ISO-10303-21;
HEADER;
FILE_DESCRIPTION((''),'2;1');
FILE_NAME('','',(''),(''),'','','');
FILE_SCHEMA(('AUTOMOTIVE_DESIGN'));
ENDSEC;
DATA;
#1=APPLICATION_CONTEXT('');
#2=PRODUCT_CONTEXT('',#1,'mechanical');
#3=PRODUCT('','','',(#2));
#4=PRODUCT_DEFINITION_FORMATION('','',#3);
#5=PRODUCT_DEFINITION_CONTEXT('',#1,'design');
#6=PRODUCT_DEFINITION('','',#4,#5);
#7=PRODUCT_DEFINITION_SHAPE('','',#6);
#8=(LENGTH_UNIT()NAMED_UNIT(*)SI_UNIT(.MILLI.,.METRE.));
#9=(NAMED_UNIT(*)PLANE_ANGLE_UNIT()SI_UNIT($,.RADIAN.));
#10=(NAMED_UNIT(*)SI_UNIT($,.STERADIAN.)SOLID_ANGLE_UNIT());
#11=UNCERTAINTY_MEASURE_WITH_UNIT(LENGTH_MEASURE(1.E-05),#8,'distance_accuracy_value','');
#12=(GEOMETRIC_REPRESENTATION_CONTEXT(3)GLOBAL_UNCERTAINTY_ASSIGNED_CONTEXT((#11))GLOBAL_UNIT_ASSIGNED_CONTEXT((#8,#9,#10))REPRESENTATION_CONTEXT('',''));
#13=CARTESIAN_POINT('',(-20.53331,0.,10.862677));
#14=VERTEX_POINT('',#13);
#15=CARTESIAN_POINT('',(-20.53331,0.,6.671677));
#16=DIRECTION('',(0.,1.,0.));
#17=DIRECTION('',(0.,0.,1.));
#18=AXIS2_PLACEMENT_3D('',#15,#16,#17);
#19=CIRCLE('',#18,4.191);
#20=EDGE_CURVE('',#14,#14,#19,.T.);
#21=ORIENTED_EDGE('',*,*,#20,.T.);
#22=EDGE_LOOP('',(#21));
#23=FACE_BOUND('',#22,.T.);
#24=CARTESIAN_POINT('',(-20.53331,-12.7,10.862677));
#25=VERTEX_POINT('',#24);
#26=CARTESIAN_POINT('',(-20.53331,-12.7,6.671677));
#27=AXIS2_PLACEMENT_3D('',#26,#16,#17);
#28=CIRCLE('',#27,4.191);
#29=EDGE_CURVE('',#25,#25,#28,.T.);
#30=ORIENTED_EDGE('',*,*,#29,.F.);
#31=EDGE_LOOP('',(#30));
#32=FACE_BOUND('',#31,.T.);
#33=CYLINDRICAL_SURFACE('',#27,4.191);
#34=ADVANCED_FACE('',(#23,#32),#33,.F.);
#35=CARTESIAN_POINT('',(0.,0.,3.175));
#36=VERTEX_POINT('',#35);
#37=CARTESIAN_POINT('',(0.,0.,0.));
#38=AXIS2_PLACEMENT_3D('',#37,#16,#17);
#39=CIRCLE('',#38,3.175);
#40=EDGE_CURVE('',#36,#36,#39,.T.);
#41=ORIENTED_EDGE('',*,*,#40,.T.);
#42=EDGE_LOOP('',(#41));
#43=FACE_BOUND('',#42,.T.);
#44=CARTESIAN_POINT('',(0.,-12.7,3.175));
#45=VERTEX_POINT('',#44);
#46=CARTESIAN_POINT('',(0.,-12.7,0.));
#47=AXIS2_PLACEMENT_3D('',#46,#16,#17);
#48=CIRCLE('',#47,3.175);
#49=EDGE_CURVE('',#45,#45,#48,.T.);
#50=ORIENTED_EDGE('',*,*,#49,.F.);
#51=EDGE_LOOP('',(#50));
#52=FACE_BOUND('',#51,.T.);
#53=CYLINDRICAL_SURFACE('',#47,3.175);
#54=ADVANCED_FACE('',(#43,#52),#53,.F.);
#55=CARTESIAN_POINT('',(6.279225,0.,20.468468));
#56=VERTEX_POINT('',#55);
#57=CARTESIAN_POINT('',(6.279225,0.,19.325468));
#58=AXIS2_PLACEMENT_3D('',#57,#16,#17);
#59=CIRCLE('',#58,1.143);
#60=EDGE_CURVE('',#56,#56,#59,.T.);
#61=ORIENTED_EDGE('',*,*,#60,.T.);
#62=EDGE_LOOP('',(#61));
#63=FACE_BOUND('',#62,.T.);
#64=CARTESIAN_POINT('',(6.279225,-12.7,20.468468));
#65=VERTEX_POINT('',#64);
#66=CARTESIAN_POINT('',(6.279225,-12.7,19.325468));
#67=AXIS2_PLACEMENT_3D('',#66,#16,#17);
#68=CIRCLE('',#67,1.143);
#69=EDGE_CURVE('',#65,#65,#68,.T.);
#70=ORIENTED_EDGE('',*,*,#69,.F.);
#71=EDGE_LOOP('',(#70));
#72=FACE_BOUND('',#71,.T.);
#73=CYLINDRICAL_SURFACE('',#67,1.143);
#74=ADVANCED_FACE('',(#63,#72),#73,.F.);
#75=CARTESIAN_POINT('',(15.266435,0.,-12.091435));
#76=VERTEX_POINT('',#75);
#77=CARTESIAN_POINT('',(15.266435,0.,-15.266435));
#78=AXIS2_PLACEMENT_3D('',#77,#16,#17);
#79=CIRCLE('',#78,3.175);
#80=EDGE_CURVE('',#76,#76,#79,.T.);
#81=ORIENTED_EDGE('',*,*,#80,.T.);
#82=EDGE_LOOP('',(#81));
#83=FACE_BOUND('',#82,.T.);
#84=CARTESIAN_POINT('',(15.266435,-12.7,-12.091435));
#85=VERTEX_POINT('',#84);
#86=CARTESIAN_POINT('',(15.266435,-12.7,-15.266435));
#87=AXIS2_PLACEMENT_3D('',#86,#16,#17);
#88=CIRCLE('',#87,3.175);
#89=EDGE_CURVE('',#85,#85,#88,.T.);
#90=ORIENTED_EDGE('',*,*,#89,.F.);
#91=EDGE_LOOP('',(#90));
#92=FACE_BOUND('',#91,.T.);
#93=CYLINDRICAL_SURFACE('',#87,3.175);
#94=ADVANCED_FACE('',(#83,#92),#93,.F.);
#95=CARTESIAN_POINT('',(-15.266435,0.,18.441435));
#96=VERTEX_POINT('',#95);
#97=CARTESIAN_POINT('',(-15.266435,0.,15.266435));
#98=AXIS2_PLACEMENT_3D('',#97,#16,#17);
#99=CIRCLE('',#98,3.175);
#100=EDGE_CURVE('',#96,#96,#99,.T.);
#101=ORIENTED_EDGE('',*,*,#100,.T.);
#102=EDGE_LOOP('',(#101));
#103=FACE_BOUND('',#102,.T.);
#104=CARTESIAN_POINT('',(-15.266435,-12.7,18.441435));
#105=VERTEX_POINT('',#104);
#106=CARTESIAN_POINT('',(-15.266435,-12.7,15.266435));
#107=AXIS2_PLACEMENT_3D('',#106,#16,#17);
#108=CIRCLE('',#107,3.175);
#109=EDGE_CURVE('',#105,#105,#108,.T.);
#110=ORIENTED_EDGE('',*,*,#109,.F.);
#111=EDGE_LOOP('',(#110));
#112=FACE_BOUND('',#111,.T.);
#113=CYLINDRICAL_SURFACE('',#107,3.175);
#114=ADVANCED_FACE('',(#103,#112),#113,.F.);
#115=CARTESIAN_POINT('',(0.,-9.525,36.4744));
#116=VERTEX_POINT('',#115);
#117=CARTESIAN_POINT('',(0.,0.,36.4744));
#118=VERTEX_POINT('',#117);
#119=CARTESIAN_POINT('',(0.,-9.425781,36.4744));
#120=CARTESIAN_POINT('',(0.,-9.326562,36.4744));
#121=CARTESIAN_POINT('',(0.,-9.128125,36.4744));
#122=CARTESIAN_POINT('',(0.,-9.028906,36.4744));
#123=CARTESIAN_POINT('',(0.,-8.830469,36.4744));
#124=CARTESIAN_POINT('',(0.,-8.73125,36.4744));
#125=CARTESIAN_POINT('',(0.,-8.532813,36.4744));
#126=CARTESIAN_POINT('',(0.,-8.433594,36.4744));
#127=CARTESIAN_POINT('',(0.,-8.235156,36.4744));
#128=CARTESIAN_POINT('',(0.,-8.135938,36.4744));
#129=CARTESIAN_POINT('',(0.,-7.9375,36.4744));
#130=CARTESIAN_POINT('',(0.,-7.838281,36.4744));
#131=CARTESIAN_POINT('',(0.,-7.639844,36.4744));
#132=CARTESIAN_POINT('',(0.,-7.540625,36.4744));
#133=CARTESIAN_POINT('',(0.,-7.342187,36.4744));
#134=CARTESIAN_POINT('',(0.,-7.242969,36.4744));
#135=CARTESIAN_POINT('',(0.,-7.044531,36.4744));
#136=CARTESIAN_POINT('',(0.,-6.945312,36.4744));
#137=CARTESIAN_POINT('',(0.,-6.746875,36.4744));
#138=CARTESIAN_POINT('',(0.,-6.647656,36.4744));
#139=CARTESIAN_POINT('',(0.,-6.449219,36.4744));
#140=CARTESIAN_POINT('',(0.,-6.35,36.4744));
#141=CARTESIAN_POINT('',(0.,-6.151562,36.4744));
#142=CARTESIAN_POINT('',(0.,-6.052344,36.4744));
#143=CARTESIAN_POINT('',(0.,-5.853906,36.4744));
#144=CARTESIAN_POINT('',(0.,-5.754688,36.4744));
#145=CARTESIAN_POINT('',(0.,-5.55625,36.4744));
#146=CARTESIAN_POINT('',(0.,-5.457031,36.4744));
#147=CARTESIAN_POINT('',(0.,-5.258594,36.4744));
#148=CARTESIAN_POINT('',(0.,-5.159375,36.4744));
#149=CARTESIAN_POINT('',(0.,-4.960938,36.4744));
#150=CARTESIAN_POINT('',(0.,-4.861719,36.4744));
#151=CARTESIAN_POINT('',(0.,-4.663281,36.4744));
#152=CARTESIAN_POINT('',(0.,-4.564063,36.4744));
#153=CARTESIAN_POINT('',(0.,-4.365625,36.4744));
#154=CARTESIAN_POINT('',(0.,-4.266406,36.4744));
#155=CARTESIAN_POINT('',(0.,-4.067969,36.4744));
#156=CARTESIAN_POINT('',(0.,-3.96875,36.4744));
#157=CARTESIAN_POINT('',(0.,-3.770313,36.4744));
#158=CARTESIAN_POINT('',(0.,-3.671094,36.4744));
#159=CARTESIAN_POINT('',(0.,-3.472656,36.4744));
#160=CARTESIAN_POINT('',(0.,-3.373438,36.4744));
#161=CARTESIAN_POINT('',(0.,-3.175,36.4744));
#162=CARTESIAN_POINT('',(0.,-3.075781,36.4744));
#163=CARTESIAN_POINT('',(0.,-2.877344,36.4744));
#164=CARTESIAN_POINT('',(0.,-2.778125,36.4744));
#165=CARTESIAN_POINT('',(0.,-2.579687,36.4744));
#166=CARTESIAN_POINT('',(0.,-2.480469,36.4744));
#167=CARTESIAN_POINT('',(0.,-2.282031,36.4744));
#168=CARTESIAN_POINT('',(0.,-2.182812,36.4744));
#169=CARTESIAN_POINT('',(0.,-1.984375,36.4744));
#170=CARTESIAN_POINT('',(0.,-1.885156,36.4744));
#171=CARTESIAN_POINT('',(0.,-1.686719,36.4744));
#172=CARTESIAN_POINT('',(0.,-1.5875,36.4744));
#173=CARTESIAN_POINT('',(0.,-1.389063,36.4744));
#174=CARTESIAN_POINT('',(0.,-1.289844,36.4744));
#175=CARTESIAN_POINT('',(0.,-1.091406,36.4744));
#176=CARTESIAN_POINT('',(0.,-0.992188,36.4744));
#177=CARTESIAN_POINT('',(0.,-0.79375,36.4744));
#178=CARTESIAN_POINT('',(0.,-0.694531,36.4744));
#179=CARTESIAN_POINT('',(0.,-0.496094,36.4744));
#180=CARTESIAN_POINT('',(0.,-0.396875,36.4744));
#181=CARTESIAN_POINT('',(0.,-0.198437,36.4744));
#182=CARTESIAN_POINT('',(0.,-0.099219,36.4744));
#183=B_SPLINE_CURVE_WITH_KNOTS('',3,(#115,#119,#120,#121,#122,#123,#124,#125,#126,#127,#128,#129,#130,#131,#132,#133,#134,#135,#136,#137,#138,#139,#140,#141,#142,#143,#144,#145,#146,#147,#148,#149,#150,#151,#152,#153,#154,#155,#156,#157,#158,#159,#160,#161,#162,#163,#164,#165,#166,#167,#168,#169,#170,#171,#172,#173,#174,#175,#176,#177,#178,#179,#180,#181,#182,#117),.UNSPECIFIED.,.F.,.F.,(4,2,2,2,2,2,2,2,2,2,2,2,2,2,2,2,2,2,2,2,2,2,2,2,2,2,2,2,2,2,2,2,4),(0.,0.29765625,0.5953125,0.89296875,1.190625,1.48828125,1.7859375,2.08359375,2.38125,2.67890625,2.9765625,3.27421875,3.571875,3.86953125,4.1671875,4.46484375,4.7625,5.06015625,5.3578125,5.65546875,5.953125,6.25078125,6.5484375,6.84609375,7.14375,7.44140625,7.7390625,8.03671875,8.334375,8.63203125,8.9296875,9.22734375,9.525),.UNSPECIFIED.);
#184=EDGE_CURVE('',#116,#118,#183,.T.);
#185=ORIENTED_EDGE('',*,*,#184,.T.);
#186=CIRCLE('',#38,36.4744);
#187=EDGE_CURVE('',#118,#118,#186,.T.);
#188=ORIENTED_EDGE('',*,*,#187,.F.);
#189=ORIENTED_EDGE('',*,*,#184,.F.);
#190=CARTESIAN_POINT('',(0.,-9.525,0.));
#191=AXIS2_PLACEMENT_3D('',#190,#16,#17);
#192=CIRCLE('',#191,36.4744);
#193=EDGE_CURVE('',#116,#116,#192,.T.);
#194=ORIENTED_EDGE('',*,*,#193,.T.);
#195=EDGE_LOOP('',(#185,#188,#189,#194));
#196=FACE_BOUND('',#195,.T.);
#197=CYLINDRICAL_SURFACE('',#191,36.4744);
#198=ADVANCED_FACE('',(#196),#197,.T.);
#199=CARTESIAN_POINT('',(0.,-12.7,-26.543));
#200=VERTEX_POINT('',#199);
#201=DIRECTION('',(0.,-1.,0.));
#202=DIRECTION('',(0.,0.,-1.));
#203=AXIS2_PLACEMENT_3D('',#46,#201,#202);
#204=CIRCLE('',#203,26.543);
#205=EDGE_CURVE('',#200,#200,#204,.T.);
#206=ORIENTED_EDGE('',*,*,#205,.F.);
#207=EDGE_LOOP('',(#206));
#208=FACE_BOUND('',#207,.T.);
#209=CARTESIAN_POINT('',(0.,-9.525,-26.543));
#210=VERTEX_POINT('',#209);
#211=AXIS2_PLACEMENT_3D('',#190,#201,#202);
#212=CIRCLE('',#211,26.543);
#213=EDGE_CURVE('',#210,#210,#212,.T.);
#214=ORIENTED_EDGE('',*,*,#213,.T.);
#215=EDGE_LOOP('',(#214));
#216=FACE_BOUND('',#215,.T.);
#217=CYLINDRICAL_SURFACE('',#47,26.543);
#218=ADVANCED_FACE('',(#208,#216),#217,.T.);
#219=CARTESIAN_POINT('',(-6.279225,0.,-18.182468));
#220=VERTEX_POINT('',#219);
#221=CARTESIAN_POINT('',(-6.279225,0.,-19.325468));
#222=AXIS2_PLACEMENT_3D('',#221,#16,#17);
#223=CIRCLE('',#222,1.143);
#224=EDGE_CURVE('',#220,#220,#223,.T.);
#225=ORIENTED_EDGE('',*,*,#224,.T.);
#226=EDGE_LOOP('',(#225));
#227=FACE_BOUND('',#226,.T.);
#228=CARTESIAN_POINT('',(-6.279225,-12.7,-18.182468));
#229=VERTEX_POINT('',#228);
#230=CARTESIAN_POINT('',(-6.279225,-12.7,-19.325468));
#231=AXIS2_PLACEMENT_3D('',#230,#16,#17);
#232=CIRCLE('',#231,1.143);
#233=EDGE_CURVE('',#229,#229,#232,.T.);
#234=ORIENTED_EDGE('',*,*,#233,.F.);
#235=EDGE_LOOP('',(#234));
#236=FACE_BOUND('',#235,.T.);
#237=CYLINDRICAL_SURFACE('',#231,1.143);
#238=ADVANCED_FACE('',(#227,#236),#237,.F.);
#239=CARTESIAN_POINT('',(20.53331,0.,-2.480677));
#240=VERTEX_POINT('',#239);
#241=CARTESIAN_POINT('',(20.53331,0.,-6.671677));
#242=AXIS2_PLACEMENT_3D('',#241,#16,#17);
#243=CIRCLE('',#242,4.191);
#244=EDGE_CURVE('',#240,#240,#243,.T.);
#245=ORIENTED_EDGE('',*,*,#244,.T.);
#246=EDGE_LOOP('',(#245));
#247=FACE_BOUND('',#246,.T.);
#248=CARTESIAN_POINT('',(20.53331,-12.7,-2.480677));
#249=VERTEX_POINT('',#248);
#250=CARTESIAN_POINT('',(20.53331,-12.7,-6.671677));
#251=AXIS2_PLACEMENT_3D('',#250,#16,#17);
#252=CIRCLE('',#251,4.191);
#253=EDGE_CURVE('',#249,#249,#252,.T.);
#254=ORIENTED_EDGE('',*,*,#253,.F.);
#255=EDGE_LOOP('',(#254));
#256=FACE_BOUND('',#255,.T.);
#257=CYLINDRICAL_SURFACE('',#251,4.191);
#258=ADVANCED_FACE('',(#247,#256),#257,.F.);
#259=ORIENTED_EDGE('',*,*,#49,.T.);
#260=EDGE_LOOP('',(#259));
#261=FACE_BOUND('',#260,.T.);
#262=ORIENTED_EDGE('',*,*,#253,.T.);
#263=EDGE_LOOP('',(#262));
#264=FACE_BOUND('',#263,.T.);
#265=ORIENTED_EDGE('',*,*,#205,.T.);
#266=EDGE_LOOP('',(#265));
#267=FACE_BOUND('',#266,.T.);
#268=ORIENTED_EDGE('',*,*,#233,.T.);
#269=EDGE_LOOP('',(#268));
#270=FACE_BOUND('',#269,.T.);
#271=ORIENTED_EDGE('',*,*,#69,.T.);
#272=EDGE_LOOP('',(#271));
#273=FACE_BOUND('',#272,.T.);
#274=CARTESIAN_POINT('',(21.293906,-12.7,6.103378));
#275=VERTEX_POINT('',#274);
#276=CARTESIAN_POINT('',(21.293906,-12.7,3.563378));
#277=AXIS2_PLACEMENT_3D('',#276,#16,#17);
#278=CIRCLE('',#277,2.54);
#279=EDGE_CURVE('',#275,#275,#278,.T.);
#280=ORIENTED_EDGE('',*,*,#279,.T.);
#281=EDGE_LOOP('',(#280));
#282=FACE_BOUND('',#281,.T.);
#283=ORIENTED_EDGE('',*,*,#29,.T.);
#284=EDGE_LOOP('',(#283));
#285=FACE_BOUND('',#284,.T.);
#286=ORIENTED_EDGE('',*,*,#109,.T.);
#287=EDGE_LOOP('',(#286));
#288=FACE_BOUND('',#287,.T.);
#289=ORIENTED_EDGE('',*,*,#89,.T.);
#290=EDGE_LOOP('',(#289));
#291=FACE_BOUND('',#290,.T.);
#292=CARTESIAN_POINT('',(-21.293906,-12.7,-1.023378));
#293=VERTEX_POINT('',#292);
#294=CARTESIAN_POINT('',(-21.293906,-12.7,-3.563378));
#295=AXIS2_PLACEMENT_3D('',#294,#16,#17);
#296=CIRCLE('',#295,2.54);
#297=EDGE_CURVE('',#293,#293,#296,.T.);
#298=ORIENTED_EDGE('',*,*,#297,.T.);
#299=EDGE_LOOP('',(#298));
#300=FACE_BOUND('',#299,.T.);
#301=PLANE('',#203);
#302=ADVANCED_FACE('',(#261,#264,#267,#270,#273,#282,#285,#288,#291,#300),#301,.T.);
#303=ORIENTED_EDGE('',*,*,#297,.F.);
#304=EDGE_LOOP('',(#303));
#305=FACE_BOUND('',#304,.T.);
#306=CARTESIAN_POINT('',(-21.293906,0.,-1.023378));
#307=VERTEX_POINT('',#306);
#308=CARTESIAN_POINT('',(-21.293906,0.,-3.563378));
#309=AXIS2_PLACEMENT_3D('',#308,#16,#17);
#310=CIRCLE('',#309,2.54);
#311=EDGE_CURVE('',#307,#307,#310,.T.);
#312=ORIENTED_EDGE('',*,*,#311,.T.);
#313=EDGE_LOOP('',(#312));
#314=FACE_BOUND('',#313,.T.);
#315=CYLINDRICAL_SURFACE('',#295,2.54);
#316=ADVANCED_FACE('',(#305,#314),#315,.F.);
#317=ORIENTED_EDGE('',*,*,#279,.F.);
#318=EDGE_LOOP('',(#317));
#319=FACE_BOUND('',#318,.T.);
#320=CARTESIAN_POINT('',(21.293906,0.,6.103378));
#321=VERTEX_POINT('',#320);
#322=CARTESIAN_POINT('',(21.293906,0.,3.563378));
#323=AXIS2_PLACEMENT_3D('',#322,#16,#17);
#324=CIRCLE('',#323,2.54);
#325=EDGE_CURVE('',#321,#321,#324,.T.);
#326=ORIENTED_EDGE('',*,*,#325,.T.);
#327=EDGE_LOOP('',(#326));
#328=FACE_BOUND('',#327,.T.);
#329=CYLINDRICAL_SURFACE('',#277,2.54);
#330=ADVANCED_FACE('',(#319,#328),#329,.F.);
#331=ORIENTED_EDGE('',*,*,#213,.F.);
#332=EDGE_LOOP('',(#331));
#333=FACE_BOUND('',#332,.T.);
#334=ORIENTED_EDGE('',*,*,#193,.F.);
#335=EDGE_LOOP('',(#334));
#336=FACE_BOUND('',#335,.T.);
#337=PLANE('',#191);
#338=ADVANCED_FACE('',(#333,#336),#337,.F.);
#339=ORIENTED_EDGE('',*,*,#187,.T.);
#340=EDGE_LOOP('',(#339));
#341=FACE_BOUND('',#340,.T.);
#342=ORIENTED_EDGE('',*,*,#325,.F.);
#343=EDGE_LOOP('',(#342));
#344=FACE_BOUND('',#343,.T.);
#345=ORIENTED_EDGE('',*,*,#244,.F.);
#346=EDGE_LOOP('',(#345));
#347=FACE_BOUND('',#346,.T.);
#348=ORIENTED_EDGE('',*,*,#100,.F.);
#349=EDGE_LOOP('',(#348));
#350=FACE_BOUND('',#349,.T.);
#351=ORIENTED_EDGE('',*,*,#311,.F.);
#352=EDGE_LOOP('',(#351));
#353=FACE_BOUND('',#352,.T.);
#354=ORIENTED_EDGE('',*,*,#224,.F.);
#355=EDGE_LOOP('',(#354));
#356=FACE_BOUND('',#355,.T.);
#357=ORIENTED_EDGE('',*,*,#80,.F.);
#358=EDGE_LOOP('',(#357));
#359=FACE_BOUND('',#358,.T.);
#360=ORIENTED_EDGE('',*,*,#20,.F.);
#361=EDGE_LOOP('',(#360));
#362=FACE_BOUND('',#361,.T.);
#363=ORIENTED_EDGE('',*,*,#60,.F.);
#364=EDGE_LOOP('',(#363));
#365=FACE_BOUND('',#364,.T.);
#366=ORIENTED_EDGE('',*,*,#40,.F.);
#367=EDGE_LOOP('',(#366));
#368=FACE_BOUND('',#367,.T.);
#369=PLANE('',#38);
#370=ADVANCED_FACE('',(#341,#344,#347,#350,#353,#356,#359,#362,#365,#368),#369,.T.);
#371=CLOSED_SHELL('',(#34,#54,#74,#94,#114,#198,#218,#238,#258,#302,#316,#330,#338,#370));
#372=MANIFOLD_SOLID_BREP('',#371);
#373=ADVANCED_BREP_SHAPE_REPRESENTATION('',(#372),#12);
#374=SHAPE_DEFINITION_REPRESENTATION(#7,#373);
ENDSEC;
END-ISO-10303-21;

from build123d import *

# Parameters (mm, degrees)
SKETCH1_R           = 36.4744
BOSS_EXTRUDE1_DEPTH = 9.525
SKETCH2_R           = 26.543
BOSS_EXTRUDE2_DEPTH = 3.175
SKETCH5_R           = 3.175
SKETCH5_R_2         = 1.143
SKETCH5_R_3         = 4.191
SKETCH5_R_4         = 2.54
CUT_EXTRUDE1_DEPTH  = 54.123005475


with BuildPart() as part:
    # Sketch1 → Boss-Extrude1 (new body)
    with BuildSketch(Plane(origin=(0, 0, 0), x_dir=(1, 0, 0), z_dir=(0, 1, 0))):
        with Locations(Location((0, 0, 0), (0, 0, 270))):
            Circle(SKETCH1_R)
    extrude(amount=-BOSS_EXTRUDE1_DEPTH)

    # Sketch2 → Boss-Extrude2 (add)
    with BuildSketch(Plane.XZ.offset(9.525)):
        with Locations(Location((0, 0, 0), (0, 0, 270))):
            Circle(SKETCH2_R)
    extrude(amount=BOSS_EXTRUDE2_DEPTH)

    # Sketch5 → Cut-Extrude1 (cut, through all)
    with BuildSketch(Plane(origin=(0, 0, 0), x_dir=(1, 0, 0), z_dir=(0, 1, 0))):
        with Locations(Location((0, 0, 0), (0, 0, 270))):
            Circle(SKETCH5_R)
        with Locations(Location((-6.279225326, 19.325468411, 0), (0, 0, 270))):
            Circle(SKETCH5_R_2)
        with Locations(Location((-20.533310187, -6.671676909, 0), (0, 0, 270))):
            Circle(SKETCH5_R_3)
        with Locations(Location((-15.266435406, -15.266435406, 0), (0, 0, 270))):
            Circle(SKETCH5_R)
        with Locations(Location((15.266435406, 15.266435406, 0), (0, 0, 270))):
            Circle(SKETCH5_R)
        with Locations(Location((6.279225326, -19.325468411, 0), (0, 0, 270))):
            Circle(SKETCH5_R_2)
        with Locations(Location((20.533310187, 6.671676909, 0), (0, 0, 270))):
            Circle(SKETCH5_R_3)
        with Locations(Location((21.293906137, -3.563377811, 0), (0, 0, 270))):
            Circle(SKETCH5_R_4)
        with Locations(Location((-21.293906137, 3.563377811, 0), (0, 0, 270))):
            Circle(SKETCH5_R_4)
    extrude(amount=-CUT_EXTRUDE1_DEPTH, mode=Mode.SUBTRACT)


solid = part.part
